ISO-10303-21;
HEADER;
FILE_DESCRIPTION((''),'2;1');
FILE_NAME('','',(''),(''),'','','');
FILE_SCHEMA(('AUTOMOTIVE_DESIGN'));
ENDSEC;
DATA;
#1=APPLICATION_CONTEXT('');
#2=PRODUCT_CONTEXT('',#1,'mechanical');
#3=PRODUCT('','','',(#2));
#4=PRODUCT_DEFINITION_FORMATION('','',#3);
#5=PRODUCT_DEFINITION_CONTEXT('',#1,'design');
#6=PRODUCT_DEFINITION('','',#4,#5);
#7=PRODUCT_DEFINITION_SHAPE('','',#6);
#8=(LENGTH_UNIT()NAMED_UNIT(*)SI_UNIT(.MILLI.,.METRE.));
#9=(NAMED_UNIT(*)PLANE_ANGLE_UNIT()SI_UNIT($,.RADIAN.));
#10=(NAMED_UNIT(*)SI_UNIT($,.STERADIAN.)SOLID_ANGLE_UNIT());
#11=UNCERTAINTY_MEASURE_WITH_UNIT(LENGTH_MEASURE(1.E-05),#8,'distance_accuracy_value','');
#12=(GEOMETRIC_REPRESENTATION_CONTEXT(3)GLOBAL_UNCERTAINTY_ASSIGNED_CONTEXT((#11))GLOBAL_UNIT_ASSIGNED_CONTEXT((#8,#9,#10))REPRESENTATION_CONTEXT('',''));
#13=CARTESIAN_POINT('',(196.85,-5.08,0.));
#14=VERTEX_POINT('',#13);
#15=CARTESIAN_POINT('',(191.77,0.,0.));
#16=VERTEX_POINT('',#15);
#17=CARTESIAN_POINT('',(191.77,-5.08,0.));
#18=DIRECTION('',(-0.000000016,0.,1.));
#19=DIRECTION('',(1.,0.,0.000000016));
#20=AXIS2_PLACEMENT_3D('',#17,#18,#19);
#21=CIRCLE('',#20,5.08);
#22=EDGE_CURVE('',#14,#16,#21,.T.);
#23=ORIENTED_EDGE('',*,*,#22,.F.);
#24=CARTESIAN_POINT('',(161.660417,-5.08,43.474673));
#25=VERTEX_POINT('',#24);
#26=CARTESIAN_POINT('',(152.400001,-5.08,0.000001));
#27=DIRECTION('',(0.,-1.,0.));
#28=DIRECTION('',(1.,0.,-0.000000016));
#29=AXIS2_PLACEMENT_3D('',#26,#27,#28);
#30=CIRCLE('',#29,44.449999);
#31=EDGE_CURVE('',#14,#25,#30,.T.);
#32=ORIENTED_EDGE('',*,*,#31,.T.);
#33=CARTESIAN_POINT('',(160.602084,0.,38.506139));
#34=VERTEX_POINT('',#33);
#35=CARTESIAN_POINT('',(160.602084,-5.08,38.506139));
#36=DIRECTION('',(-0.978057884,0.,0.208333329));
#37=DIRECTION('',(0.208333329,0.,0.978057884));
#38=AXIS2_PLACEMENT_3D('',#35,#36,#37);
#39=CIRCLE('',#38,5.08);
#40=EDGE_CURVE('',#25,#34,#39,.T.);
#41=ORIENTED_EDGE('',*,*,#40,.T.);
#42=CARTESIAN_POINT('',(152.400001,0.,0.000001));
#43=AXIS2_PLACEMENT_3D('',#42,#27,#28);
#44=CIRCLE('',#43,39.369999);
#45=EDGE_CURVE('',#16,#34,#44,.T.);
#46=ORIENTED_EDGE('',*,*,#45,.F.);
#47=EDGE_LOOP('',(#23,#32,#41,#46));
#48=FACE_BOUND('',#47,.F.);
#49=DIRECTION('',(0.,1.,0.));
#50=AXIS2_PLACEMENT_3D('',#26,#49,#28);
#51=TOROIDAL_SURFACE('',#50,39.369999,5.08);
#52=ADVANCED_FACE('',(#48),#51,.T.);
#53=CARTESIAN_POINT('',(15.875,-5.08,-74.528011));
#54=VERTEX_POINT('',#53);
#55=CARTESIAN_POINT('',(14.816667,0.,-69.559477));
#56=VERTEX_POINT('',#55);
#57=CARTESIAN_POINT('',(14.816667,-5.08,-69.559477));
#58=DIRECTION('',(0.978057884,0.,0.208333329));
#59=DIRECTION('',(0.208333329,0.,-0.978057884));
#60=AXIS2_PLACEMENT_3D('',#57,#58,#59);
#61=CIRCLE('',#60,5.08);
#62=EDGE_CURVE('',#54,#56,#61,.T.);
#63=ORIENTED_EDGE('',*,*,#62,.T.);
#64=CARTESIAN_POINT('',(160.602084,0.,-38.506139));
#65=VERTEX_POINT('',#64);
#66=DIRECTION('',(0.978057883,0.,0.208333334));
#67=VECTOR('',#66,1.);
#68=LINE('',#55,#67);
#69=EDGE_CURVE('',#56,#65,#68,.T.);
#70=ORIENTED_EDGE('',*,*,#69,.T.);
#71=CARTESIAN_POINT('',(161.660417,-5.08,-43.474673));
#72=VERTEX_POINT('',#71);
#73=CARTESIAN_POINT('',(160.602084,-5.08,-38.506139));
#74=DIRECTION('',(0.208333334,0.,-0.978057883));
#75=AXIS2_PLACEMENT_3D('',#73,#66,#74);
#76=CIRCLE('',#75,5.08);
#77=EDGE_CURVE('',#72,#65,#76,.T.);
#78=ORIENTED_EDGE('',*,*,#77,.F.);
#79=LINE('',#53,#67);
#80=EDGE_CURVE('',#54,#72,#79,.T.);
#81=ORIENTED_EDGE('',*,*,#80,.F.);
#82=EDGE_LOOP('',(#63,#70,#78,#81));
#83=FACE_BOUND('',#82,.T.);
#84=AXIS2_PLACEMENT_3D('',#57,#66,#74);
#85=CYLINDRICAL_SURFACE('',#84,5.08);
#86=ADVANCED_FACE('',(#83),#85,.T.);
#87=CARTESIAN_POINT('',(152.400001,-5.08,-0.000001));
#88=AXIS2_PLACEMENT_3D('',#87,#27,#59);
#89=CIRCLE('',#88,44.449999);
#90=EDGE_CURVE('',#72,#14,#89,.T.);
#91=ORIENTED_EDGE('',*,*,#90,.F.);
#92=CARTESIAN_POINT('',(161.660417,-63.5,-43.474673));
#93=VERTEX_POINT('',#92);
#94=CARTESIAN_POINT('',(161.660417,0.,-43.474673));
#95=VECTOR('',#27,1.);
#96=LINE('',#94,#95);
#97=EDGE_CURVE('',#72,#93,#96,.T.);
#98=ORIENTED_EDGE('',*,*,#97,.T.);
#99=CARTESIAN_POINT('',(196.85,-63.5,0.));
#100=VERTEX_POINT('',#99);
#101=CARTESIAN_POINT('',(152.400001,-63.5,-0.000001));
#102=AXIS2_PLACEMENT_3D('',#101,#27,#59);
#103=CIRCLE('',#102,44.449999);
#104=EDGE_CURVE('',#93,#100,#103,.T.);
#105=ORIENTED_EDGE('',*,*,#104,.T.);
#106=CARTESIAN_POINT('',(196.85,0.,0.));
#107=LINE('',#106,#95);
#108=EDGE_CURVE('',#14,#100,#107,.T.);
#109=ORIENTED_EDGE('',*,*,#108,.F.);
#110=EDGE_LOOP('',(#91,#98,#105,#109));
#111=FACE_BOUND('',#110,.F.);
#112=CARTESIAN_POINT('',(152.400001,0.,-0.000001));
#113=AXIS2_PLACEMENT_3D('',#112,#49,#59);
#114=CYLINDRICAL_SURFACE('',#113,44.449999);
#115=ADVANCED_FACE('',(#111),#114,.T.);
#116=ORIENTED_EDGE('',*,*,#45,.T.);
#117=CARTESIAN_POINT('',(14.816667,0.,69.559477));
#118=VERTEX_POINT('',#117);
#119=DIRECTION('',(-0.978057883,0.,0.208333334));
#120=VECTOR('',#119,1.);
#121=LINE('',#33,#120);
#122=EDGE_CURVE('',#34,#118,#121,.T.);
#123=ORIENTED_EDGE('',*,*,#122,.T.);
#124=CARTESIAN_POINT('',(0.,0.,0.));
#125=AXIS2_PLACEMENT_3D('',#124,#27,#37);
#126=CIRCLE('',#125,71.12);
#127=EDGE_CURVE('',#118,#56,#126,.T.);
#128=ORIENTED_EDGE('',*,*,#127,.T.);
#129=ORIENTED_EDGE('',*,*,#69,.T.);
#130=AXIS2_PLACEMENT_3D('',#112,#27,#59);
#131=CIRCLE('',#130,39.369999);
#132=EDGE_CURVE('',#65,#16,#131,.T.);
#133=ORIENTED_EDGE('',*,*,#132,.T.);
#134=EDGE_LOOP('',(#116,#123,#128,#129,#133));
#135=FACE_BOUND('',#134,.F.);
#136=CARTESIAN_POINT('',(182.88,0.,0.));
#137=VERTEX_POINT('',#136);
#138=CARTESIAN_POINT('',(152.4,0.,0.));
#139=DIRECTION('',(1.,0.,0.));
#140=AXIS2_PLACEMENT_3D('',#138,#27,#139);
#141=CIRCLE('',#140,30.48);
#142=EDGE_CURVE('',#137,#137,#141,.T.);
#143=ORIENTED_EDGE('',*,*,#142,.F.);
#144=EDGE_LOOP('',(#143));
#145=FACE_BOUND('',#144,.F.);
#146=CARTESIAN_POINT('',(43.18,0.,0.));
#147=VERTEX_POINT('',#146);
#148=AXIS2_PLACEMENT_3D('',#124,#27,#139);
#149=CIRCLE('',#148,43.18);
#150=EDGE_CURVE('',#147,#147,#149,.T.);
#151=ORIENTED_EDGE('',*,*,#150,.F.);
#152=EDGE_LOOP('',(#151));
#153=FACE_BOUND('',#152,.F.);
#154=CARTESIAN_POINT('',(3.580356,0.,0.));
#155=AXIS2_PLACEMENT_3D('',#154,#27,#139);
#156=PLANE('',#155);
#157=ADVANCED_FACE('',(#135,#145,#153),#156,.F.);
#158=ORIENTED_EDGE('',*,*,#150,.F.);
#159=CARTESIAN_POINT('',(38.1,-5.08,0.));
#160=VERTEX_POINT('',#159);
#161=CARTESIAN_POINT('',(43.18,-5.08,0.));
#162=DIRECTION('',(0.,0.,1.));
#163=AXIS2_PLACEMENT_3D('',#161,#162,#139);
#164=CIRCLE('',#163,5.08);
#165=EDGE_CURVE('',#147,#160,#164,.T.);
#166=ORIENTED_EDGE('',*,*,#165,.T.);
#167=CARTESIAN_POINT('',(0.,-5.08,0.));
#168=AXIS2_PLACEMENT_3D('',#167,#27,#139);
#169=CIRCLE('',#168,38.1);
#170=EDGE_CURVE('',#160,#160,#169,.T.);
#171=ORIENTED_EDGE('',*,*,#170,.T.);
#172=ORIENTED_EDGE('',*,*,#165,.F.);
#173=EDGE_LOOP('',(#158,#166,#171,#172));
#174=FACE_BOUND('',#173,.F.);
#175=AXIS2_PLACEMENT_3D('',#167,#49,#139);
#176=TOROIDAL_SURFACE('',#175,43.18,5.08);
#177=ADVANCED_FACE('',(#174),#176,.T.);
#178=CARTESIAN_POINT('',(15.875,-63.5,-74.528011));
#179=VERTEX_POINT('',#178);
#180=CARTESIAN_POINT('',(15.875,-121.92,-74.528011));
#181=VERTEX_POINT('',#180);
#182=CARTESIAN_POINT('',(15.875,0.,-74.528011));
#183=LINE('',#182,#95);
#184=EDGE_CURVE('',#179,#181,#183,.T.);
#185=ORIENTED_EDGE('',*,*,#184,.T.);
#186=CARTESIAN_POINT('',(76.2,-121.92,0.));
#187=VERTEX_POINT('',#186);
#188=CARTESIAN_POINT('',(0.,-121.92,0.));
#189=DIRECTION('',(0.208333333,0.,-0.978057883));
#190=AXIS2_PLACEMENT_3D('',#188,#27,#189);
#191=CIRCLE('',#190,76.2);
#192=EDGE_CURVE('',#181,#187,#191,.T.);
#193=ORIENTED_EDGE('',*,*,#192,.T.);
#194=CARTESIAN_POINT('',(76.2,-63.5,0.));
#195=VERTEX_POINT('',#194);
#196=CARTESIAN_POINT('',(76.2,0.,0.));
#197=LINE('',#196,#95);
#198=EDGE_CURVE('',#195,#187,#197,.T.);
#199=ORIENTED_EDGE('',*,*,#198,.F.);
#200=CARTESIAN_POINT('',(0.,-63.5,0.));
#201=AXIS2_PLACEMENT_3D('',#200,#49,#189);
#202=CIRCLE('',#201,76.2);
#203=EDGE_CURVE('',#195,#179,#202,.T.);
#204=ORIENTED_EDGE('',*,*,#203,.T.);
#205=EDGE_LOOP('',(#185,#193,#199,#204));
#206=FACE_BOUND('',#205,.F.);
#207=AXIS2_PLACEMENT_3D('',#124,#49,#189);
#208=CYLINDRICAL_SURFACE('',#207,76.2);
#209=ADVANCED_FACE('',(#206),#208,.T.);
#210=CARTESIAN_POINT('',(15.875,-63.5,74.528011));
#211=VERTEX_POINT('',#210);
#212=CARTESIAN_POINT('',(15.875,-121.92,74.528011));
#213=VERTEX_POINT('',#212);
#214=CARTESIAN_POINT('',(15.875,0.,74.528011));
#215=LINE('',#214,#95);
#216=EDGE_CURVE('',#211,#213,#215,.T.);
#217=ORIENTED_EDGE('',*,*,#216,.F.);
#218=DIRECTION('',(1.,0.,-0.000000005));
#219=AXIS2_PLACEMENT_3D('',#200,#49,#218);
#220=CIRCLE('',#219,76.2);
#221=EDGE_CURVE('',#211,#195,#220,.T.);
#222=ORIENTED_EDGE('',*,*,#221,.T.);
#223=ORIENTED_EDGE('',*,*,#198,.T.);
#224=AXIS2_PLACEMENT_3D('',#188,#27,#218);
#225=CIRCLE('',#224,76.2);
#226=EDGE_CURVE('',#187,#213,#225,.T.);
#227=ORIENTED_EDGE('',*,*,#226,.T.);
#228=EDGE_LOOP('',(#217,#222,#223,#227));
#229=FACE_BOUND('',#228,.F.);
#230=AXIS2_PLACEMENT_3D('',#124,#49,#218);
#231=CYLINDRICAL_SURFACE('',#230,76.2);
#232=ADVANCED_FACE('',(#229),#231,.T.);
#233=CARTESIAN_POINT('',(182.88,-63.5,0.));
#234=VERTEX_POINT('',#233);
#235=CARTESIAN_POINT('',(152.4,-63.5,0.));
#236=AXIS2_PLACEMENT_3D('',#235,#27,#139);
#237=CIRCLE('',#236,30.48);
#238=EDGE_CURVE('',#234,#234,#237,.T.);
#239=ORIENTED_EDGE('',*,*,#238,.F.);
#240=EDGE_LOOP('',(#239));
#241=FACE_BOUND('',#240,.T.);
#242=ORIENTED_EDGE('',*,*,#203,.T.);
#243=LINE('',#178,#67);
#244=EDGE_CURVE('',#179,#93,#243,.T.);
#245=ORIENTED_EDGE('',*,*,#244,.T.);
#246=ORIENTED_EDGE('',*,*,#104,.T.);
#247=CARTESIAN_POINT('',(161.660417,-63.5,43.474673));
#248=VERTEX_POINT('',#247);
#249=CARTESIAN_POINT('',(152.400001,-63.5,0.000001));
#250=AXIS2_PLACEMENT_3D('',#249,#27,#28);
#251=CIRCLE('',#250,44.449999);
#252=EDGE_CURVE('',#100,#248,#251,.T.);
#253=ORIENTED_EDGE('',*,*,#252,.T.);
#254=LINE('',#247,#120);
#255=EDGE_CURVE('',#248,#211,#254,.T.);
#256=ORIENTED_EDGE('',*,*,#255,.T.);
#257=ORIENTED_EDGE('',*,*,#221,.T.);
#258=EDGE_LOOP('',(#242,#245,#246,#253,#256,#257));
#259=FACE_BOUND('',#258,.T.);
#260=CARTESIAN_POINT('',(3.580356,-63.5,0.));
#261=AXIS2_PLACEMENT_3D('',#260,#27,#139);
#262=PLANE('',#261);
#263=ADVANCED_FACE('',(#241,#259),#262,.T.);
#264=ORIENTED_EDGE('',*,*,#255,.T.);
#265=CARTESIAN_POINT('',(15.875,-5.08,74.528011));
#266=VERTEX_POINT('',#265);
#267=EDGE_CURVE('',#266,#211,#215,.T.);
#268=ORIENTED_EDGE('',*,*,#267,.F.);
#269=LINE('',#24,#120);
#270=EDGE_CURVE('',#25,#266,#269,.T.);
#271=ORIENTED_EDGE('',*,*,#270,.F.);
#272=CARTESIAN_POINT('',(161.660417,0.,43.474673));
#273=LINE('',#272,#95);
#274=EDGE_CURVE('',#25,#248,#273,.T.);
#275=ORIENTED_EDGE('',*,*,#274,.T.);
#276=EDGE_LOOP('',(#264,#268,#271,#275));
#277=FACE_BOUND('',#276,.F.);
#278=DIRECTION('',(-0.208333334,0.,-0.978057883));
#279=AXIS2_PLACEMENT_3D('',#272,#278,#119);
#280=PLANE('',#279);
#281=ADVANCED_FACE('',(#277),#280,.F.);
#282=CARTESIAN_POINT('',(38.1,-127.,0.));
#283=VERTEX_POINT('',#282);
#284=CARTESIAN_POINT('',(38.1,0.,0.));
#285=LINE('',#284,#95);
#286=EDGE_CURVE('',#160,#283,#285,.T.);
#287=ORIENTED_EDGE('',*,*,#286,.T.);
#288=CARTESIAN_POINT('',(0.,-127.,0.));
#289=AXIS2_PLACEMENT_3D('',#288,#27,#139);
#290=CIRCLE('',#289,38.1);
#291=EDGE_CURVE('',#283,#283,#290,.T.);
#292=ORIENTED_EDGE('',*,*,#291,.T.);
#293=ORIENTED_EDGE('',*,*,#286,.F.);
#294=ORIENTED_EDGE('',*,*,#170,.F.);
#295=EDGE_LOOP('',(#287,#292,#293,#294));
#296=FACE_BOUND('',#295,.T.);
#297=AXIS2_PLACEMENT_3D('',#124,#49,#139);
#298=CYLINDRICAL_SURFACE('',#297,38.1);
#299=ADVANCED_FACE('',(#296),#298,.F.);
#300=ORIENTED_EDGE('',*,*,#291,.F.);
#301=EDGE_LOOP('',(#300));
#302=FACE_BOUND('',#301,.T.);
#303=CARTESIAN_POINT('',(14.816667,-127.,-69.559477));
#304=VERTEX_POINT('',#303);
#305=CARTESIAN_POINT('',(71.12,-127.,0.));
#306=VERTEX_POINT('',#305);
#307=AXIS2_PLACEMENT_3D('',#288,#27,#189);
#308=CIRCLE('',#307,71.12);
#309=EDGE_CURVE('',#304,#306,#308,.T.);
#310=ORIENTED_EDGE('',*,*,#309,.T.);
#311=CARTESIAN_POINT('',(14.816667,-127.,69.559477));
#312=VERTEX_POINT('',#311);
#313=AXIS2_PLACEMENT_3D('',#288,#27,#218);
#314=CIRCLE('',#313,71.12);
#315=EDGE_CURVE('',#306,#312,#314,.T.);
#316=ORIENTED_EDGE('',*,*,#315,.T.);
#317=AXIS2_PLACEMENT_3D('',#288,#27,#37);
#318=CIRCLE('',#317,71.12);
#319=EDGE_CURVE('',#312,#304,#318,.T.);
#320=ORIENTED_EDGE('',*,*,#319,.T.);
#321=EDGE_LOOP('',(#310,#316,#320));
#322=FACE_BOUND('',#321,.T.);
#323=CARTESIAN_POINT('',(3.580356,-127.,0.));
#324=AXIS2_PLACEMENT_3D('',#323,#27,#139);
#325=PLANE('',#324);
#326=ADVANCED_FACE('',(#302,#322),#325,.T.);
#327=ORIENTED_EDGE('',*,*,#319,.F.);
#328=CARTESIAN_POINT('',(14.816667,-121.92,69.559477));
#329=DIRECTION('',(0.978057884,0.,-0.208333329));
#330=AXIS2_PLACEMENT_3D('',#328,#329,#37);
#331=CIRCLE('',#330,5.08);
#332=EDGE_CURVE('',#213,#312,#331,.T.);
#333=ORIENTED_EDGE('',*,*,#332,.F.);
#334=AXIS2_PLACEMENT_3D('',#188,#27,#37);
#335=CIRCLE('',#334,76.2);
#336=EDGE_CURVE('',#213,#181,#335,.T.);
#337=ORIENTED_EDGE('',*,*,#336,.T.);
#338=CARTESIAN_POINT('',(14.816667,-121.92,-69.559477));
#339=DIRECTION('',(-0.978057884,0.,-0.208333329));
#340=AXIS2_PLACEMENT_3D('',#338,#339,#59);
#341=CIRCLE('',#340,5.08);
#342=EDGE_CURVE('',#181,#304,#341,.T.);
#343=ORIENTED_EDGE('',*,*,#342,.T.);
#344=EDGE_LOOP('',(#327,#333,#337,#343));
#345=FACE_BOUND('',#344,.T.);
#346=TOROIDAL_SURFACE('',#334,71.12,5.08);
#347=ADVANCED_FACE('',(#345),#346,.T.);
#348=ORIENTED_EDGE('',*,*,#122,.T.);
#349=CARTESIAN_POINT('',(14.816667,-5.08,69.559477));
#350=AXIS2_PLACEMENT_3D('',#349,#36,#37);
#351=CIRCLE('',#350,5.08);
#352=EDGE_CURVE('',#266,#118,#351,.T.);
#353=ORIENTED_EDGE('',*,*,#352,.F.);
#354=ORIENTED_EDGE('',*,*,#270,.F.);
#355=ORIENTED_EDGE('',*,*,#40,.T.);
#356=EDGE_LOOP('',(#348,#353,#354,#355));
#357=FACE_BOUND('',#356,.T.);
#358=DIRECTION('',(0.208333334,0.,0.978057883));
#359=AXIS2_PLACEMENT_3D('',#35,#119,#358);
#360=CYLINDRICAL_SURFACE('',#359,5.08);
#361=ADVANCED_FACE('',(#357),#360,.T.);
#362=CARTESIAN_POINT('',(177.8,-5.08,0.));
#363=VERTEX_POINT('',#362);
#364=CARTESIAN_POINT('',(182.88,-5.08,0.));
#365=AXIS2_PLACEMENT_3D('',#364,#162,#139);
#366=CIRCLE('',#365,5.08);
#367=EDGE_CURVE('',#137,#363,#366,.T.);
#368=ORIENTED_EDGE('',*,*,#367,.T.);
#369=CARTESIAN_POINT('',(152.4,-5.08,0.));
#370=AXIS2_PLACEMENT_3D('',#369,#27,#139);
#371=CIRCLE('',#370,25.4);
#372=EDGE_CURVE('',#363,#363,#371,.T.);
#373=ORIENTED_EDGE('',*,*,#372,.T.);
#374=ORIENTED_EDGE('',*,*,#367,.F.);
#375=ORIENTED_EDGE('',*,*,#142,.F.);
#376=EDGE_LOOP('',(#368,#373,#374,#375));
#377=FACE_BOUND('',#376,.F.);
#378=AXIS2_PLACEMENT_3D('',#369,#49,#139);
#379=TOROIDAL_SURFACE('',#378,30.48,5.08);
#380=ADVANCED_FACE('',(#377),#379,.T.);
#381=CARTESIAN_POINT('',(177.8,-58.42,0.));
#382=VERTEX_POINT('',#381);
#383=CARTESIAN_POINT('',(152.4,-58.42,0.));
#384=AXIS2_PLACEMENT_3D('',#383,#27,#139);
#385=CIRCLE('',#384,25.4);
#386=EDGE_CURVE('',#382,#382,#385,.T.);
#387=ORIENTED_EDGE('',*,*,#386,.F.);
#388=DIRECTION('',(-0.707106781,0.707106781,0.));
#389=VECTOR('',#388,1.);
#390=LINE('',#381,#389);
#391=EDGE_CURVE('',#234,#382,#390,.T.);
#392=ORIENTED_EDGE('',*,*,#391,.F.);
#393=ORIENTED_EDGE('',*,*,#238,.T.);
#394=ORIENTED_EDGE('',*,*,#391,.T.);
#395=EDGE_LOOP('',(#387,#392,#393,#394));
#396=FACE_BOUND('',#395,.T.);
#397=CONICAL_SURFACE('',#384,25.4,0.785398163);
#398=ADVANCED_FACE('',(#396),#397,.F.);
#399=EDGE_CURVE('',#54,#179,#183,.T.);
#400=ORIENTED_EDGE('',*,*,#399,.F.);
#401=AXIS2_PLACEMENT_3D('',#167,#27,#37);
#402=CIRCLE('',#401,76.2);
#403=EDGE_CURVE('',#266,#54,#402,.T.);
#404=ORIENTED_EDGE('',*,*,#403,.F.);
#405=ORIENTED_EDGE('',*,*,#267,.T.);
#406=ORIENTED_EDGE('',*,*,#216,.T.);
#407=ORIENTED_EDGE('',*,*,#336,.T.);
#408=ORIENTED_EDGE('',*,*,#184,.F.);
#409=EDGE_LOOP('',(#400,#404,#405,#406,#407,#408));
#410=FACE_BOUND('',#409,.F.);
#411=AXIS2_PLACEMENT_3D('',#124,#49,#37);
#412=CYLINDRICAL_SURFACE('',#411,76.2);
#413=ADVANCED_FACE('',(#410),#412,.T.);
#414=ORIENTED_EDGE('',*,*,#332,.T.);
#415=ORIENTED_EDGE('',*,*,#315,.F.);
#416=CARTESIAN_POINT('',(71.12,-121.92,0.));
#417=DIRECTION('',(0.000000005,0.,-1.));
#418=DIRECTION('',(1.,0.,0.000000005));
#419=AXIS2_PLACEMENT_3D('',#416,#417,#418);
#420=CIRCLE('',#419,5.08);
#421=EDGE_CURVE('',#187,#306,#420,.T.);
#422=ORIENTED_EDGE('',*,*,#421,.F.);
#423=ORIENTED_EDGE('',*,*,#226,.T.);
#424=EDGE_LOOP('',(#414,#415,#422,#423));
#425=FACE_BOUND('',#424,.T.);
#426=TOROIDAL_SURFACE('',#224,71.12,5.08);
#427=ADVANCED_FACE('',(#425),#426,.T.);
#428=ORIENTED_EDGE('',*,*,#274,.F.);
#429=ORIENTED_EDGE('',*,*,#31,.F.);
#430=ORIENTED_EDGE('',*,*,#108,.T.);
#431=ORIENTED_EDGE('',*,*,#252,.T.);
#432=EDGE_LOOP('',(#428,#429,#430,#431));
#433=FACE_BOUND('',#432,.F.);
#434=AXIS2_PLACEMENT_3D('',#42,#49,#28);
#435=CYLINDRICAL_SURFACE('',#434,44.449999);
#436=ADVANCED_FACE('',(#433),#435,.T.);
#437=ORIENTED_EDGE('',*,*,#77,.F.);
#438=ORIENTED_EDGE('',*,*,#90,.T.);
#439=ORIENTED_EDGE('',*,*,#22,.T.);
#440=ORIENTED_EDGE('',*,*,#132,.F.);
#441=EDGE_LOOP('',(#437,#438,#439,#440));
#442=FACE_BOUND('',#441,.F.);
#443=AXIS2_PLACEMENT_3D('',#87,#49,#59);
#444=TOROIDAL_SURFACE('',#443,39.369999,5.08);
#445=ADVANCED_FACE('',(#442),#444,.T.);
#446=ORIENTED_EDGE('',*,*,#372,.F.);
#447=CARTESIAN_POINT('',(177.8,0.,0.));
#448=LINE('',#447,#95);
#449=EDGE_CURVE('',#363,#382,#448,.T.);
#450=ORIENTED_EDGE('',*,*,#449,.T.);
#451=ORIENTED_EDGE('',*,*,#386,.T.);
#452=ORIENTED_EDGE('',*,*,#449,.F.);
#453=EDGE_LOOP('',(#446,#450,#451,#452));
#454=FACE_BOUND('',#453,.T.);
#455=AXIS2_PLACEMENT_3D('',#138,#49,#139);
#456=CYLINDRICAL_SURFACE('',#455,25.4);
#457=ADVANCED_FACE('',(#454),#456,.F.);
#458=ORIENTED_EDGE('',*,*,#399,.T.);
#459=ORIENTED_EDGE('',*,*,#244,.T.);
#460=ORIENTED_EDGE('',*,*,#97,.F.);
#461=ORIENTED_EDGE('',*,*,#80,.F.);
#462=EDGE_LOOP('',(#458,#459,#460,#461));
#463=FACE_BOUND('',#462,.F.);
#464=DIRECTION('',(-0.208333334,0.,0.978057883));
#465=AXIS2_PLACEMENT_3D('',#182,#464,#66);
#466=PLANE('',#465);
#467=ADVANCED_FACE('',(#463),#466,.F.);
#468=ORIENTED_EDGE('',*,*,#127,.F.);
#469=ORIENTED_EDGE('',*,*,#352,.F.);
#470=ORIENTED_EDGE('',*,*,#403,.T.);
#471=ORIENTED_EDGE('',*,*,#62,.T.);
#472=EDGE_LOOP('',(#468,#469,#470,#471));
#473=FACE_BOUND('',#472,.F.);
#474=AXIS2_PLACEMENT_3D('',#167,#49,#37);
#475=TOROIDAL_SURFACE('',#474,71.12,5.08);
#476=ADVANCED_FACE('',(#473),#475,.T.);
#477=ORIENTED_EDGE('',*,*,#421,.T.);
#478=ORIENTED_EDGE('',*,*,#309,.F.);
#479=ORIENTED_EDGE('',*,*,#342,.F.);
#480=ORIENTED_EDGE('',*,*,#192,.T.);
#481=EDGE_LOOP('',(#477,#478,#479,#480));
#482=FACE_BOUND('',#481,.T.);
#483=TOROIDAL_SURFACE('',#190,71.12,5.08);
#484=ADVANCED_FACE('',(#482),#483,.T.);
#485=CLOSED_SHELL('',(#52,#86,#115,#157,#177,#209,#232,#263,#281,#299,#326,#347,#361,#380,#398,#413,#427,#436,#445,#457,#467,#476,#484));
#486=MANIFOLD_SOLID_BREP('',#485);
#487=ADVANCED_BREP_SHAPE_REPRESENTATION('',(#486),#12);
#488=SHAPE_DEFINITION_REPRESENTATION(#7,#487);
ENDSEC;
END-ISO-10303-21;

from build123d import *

# Parameters (mm, degrees)
F0_R     = 38.1
F0_R_2   = 25.4
F1_DEPTH = 63.5
F2_DEPTH = 127
F3_R     = 5.08
F4_SIZE  = 5.08


with BuildPart() as f1:
    # F0 (on Front) → F1 (new body)
    with BuildSketch(Plane.XZ):
        with BuildLine():
            ThreePointArc((15.875, -74.528011), (59.228857, -47.941449), (76.2, 0))
            ThreePointArc((76.2, 0), (59.228857, 47.941449), (15.875, 74.528011))
            ThreePointArc((15.875, 74.528011), (-76.2, 0), (15.875, -74.528011))
        make_face()
        Circle(F0_R, mode=Mode.SUBTRACT)
        with BuildLine():
            ThreePointArc((15.875, 74.528011), (59.228857, 47.941449), (76.2, 0))
            ThreePointArc((76.2, 0), (59.228857, -47.941449), (15.875, -74.528011))
            Line((15.875, -74.528011), (161.660417, -43.474673))
            ThreePointArc((161.660417, -43.474673), (107.95, 0), (161.660417, 43.474673))
            Line((161.660417, 43.474673), (15.875, 74.528011))
        make_face()
        with BuildLine():
            ThreePointArc((196.85, 0), (186.950167, 27.965845), (161.660417, 43.474673))
            ThreePointArc((161.660417, 43.474673), (107.95, 0), (161.660417, -43.474673))
            ThreePointArc((161.660417, -43.474673), (186.950167, -27.965845), (196.85, 0))
        make_face()
        with Locations((152.4, 0)):
            Circle(F0_R_2, mode=Mode.SUBTRACT)
    extrude(amount=F1_DEPTH)

    # F0 (on Front) → F2 (join)
    with BuildSketch(Plane.XZ):
        with BuildLine():
            ThreePointArc((15.875, -74.528011), (59.228857, -47.941449), (76.2, 0))
            ThreePointArc((76.2, 0), (59.228857, 47.941449), (15.875, 74.528011))
            ThreePointArc((15.875, 74.528011), (-76.2, 0), (15.875, -74.528011))
        make_face()
        Circle(F0_R, mode=Mode.SUBTRACT)
    extrude(amount=F2_DEPTH)

    # F3
    f3_edges = [f1.edges().sort_by_distance(p)[0] for p in [
        (-15.875, -127, 74.528011),
        (-76.2, 0, 0),
        (88.767708, 0, -59.001342),
        (196.85, 0, 0),
        (88.767708, 0, 59.001342),
        (-38.1, 0, 0),
        (127, 0, 0),
    ]]
    fillet(f3_edges, radius=F3_R)

    # F4
    f4_edges = [f1.edges().sort_by_distance(p)[0] for p in [
        (127, -63.5, 0),
    ]]
    chamfer(f4_edges, length=F4_SIZE)


solid = f1.part
